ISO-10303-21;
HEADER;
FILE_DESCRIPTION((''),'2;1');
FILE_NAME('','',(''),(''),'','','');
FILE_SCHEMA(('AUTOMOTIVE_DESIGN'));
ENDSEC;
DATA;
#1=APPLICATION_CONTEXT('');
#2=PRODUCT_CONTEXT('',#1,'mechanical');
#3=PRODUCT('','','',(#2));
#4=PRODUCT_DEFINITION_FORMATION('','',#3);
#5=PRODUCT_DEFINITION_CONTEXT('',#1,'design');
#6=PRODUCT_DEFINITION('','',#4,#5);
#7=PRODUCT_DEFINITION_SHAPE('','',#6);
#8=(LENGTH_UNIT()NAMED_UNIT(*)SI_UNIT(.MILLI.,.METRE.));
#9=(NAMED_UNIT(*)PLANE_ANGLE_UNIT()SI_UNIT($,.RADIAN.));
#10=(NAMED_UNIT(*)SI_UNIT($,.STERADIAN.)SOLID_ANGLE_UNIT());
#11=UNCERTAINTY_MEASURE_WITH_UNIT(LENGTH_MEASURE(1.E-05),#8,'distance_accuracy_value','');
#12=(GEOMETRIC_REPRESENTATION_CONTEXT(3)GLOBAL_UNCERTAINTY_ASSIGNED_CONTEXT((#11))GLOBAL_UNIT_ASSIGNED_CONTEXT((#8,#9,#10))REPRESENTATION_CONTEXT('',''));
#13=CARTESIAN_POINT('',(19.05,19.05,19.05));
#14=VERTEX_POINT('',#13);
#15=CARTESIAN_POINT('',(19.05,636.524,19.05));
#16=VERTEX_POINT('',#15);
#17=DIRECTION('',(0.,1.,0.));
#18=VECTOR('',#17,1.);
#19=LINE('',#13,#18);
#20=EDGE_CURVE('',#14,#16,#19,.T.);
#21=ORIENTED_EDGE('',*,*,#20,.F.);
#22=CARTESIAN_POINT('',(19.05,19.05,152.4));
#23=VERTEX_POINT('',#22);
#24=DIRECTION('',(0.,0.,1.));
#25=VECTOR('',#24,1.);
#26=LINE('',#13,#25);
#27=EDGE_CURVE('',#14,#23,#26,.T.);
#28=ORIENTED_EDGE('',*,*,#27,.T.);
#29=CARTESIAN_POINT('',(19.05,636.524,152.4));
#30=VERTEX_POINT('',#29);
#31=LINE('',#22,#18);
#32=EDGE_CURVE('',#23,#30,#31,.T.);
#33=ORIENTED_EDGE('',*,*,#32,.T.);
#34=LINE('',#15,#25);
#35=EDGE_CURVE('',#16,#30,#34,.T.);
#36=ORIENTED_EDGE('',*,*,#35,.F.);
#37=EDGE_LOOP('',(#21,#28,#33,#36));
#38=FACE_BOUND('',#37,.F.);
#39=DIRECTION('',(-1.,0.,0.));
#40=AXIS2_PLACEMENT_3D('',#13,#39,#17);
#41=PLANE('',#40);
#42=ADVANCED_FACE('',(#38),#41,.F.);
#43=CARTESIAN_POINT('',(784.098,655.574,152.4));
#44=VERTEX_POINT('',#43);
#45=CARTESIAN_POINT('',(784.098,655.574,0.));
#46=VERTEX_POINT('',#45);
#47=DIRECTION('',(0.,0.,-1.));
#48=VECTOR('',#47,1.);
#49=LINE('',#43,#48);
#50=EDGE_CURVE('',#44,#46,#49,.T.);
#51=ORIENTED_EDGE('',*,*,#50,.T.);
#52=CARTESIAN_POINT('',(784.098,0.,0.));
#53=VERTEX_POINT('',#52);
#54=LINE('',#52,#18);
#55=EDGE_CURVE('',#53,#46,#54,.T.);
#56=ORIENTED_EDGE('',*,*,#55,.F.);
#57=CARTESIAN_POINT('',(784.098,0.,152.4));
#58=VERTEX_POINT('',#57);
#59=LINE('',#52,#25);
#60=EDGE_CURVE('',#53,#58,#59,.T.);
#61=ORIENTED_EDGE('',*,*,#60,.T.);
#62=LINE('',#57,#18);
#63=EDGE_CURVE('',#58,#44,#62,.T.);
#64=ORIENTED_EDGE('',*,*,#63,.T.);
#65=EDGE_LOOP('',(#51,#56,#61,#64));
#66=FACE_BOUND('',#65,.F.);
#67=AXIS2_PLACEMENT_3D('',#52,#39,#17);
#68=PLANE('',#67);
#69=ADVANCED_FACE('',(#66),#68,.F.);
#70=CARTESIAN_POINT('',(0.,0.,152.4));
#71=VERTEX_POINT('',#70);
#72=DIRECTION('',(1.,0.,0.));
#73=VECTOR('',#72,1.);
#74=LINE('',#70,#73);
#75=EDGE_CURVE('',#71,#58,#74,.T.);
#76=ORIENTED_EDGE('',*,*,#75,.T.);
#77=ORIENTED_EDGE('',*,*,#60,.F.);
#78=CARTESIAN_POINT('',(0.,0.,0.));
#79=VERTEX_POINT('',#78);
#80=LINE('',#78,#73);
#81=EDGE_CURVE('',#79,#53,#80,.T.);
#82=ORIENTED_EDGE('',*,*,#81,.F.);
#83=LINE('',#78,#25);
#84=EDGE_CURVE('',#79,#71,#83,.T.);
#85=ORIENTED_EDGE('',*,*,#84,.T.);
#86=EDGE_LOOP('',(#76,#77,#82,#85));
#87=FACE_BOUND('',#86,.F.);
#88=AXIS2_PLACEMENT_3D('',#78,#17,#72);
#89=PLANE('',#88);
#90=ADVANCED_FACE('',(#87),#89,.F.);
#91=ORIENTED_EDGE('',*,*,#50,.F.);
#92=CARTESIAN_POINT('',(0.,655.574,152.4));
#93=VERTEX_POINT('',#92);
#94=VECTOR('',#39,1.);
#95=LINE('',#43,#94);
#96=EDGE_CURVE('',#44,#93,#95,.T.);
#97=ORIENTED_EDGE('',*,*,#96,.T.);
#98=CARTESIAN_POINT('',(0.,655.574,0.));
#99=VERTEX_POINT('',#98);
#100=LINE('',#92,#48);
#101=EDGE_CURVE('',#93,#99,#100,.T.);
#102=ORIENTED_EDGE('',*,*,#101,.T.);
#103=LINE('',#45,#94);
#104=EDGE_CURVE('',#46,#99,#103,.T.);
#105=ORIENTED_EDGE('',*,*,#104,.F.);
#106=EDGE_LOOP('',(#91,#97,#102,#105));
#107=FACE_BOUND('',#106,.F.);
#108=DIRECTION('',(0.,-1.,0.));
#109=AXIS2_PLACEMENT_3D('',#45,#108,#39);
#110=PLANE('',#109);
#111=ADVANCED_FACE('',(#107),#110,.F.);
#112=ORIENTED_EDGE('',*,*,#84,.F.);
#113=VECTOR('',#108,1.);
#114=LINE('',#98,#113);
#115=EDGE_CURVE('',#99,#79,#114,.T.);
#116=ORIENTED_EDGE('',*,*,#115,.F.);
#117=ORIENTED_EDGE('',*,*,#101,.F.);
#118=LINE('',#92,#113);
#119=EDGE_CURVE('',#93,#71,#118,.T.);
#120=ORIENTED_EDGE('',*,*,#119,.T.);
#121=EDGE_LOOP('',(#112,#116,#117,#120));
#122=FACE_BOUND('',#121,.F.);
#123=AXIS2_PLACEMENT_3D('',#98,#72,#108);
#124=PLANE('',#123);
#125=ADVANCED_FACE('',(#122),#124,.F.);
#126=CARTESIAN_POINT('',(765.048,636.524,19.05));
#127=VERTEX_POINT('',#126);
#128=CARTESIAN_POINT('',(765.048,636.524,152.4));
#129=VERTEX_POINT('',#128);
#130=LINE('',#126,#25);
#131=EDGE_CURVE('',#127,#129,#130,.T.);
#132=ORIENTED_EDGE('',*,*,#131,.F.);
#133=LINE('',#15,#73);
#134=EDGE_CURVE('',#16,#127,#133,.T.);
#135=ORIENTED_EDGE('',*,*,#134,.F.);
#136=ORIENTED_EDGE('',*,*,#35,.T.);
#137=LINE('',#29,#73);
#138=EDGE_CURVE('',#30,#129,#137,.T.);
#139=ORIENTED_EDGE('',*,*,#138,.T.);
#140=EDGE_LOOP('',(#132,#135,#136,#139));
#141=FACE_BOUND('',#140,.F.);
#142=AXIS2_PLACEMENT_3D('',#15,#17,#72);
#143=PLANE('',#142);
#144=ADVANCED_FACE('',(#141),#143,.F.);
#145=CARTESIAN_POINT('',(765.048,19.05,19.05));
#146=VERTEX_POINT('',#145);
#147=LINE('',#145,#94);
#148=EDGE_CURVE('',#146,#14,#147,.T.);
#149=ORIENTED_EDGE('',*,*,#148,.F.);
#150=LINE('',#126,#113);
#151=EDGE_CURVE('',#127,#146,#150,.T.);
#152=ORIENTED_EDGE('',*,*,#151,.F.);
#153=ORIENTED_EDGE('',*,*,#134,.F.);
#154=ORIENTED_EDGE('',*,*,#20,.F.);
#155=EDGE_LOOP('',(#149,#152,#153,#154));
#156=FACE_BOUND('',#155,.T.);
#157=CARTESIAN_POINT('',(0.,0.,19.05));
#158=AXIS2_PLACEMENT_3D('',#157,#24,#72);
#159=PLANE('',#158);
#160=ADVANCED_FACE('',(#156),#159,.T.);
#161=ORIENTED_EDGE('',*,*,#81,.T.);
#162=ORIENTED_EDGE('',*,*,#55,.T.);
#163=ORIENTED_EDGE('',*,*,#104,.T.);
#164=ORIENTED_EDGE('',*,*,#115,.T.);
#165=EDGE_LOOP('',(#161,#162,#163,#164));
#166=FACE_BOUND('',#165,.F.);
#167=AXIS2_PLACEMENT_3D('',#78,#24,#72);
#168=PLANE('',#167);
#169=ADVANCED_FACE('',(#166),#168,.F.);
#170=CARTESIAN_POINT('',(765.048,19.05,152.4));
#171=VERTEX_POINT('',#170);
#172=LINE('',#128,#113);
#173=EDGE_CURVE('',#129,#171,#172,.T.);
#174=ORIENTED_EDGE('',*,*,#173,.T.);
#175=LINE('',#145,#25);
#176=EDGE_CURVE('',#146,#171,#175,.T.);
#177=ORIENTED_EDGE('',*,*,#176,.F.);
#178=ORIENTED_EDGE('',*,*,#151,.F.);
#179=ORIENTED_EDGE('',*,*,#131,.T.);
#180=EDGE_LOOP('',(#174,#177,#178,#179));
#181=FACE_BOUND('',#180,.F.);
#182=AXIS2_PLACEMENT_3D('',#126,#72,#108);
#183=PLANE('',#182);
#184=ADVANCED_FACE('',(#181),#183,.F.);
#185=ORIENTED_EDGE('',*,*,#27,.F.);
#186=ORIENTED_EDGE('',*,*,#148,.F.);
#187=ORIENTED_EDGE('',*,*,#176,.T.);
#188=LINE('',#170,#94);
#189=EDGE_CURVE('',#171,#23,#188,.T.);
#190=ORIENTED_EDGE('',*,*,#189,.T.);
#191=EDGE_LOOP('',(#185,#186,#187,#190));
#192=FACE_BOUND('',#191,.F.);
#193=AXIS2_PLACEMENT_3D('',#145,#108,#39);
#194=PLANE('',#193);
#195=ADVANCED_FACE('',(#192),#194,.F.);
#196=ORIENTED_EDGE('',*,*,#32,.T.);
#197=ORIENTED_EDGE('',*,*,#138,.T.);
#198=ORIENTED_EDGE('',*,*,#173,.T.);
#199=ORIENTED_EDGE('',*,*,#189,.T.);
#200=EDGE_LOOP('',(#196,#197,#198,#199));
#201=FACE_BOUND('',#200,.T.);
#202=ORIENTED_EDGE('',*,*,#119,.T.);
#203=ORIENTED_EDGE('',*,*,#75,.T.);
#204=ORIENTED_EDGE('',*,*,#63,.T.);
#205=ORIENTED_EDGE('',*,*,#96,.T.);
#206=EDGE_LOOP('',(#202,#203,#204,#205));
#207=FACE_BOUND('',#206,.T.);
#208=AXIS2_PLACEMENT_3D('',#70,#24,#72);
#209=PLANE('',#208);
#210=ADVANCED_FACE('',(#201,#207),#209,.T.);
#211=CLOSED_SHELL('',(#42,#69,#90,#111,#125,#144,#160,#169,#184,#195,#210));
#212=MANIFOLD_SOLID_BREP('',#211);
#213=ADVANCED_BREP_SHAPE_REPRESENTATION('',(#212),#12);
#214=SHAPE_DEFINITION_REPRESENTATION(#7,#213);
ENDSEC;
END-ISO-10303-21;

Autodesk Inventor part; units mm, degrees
ref_plane "YZ Plane" through (0, 0, 0) normal (1, 0, 0) x (0, 1, 0)
ref_plane "XZ Plane" through (0, 0, 0) normal (0, 1, 0) x (-1, 0, 0)
ref_plane "XY Plane" through (0, 0, 0) normal (0, 0, 1) x (1, 0, 0)
sketch "Sketch1" plane through (0, 0, 0) normal (0, 0, 1) x (1, 0, 0)
  line L0 (0, 0) -> (784.098, 0)
  line L1 (784.098, 0) -> (784.098, 655.574)
  line L2 (784.098, 655.574) -> (0, 655.574)
  line L3 (0, 655.574) -> (0, 0)
  dimension "d0" = 784.098
  dimension "d1" = 655.574
extrude "Extrusion1" add sketch "Sketch1" along normal blind 19.05
sketch "Sketch2" plane through (0, 0, 19.05) normal (0, 0, 1) x (1, 0, 0)
  line L0 (784.098, 0) -> (784.098, 655.574) projected
  line L1 (0, 0) -> (784.098, 0)
  line L2 (784.098, 0) -> (784.098, 655.574)
  line L3 (784.098, 655.574) -> (0, 655.574)
  line L4 (0, 655.574) -> (0, 0)
  line L5 (19.05, 636.524) -> (765.048, 636.524)
  line L6 (765.048, 636.524) -> (765.048, 19.05)
  line L7 (765.048, 19.05) -> (19.05, 19.05)
  line L8 (19.05, 19.05) -> (19.05, 636.524)
  dimension "d4" = 19.05
extrude "Extrusion2" add sketch "Sketch2" along normal blind 133.35
properties part number "Temporary Platform"
